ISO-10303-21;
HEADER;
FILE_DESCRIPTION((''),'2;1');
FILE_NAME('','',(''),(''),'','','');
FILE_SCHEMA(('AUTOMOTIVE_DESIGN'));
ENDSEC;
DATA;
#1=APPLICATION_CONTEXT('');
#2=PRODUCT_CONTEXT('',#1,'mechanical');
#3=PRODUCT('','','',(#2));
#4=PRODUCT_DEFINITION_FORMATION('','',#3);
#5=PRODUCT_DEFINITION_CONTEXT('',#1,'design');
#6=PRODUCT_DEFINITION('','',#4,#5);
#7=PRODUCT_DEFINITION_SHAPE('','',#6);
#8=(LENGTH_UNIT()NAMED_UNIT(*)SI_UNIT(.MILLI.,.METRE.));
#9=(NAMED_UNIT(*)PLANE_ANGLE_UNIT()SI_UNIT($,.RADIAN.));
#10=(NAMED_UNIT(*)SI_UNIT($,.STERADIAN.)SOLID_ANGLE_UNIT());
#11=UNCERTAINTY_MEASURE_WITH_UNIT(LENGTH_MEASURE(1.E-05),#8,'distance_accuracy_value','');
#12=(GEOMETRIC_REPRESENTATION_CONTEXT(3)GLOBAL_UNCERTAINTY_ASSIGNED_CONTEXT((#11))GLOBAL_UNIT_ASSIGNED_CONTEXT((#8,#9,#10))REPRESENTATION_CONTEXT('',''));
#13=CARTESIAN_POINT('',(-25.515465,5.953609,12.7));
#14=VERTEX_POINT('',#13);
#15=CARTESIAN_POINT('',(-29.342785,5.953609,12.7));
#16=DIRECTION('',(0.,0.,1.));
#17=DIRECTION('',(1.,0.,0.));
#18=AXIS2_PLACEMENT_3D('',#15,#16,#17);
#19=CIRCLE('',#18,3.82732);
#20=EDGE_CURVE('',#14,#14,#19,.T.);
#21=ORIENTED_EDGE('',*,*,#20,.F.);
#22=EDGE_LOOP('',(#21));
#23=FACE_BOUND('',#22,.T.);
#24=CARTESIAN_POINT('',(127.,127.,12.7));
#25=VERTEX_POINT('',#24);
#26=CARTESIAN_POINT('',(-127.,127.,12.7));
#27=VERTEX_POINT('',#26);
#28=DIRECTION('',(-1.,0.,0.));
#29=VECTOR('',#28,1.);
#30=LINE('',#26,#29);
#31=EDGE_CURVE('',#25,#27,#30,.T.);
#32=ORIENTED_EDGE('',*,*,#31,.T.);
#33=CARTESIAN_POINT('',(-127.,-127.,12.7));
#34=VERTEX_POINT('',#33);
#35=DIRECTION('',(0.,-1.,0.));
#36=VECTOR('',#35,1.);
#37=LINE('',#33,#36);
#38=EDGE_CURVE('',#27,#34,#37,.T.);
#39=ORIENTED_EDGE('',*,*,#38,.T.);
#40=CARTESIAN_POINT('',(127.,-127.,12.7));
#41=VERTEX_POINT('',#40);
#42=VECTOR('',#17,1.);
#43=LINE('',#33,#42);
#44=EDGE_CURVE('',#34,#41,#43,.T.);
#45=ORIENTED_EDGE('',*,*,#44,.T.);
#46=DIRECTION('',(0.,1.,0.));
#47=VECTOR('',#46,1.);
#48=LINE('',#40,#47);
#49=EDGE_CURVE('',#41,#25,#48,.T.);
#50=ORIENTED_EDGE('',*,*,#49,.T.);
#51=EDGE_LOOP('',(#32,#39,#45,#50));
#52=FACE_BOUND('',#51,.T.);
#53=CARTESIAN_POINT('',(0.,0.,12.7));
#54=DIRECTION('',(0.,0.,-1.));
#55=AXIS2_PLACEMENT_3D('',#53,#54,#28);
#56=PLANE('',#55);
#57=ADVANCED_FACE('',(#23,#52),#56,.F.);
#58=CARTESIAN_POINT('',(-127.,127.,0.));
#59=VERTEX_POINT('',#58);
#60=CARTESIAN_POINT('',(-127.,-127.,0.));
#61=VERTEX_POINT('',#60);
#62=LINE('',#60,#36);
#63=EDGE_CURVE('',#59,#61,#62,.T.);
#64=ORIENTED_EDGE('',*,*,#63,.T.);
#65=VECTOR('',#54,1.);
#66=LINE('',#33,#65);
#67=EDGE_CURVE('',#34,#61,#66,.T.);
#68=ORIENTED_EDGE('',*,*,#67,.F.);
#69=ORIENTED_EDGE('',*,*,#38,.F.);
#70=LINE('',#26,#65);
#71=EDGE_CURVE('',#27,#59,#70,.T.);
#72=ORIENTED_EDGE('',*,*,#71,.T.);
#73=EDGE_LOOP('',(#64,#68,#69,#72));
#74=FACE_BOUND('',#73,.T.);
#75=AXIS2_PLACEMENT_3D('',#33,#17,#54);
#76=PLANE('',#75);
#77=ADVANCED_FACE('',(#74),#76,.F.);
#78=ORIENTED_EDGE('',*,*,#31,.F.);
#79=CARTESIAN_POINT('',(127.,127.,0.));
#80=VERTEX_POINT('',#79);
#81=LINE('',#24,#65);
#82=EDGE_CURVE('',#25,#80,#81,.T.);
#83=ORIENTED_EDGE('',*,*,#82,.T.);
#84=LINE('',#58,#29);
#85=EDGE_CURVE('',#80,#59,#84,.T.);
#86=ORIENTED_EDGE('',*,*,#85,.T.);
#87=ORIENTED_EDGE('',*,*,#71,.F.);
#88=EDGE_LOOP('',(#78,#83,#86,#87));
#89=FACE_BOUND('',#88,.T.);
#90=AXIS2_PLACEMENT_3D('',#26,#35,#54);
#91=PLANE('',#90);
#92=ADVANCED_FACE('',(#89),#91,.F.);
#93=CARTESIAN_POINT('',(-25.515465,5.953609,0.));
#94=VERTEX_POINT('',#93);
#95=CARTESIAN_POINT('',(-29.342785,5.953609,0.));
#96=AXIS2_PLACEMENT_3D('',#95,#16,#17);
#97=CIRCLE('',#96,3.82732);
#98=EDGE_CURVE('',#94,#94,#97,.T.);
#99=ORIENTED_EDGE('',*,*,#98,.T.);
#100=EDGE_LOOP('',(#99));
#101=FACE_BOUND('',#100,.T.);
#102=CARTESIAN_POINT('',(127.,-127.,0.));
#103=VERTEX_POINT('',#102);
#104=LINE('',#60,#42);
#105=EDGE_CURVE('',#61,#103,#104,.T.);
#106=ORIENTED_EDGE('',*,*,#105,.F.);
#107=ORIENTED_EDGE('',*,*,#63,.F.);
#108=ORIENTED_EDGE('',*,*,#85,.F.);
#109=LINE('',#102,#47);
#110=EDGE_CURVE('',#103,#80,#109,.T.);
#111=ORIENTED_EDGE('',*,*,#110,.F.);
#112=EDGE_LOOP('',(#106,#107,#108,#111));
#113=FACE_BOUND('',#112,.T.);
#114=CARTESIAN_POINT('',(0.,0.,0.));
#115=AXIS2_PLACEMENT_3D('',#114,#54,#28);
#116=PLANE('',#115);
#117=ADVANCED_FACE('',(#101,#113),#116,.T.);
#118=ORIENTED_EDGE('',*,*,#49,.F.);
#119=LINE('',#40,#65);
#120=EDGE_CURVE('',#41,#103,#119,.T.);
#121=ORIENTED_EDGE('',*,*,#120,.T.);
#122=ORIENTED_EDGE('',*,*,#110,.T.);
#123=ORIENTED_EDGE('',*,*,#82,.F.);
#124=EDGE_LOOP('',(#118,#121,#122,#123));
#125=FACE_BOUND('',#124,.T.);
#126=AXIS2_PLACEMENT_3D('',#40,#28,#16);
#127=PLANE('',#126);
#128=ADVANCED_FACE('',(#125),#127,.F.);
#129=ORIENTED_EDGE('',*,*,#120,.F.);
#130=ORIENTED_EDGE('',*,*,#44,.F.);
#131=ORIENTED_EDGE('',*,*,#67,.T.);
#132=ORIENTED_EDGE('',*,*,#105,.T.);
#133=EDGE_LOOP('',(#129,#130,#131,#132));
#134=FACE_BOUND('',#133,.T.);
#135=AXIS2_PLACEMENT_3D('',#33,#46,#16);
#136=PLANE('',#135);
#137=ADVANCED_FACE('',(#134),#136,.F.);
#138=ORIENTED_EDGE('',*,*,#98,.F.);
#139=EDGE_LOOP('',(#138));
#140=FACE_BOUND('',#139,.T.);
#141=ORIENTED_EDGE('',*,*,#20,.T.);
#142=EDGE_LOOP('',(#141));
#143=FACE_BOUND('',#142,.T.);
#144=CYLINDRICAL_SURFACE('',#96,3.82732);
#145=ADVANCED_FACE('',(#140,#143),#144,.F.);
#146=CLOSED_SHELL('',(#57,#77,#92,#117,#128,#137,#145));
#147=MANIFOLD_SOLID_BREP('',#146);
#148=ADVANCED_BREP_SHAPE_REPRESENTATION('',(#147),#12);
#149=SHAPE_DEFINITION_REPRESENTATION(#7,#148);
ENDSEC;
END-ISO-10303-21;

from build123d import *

# Parameters (mm, degrees)
SKETCH1_W           = 254
SKETCH1_H           = 254
BOSS_EXTRUDE1_DEPTH = 12.7
SKETCH2_R           = 3.827319808
CUT_EXTRUDE1_DEPTH  = 181.05357536


with BuildPart() as part:
    # Sketch1 → Boss-Extrude1 (new body)
    with BuildSketch(Plane.XY):
        Rectangle(SKETCH1_W, SKETCH1_H)
    extrude(amount=BOSS_EXTRUDE1_DEPTH)

    # Sketch2 → Cut-Extrude1 (cut, through all)
    with BuildSketch(Plane.XY.offset(12.7)):
        with Locations((-29.342785197, 5.953608591)):
            Circle(SKETCH2_R)
    extrude(amount=-CUT_EXTRUDE1_DEPTH, mode=Mode.SUBTRACT)


solid = part.part
